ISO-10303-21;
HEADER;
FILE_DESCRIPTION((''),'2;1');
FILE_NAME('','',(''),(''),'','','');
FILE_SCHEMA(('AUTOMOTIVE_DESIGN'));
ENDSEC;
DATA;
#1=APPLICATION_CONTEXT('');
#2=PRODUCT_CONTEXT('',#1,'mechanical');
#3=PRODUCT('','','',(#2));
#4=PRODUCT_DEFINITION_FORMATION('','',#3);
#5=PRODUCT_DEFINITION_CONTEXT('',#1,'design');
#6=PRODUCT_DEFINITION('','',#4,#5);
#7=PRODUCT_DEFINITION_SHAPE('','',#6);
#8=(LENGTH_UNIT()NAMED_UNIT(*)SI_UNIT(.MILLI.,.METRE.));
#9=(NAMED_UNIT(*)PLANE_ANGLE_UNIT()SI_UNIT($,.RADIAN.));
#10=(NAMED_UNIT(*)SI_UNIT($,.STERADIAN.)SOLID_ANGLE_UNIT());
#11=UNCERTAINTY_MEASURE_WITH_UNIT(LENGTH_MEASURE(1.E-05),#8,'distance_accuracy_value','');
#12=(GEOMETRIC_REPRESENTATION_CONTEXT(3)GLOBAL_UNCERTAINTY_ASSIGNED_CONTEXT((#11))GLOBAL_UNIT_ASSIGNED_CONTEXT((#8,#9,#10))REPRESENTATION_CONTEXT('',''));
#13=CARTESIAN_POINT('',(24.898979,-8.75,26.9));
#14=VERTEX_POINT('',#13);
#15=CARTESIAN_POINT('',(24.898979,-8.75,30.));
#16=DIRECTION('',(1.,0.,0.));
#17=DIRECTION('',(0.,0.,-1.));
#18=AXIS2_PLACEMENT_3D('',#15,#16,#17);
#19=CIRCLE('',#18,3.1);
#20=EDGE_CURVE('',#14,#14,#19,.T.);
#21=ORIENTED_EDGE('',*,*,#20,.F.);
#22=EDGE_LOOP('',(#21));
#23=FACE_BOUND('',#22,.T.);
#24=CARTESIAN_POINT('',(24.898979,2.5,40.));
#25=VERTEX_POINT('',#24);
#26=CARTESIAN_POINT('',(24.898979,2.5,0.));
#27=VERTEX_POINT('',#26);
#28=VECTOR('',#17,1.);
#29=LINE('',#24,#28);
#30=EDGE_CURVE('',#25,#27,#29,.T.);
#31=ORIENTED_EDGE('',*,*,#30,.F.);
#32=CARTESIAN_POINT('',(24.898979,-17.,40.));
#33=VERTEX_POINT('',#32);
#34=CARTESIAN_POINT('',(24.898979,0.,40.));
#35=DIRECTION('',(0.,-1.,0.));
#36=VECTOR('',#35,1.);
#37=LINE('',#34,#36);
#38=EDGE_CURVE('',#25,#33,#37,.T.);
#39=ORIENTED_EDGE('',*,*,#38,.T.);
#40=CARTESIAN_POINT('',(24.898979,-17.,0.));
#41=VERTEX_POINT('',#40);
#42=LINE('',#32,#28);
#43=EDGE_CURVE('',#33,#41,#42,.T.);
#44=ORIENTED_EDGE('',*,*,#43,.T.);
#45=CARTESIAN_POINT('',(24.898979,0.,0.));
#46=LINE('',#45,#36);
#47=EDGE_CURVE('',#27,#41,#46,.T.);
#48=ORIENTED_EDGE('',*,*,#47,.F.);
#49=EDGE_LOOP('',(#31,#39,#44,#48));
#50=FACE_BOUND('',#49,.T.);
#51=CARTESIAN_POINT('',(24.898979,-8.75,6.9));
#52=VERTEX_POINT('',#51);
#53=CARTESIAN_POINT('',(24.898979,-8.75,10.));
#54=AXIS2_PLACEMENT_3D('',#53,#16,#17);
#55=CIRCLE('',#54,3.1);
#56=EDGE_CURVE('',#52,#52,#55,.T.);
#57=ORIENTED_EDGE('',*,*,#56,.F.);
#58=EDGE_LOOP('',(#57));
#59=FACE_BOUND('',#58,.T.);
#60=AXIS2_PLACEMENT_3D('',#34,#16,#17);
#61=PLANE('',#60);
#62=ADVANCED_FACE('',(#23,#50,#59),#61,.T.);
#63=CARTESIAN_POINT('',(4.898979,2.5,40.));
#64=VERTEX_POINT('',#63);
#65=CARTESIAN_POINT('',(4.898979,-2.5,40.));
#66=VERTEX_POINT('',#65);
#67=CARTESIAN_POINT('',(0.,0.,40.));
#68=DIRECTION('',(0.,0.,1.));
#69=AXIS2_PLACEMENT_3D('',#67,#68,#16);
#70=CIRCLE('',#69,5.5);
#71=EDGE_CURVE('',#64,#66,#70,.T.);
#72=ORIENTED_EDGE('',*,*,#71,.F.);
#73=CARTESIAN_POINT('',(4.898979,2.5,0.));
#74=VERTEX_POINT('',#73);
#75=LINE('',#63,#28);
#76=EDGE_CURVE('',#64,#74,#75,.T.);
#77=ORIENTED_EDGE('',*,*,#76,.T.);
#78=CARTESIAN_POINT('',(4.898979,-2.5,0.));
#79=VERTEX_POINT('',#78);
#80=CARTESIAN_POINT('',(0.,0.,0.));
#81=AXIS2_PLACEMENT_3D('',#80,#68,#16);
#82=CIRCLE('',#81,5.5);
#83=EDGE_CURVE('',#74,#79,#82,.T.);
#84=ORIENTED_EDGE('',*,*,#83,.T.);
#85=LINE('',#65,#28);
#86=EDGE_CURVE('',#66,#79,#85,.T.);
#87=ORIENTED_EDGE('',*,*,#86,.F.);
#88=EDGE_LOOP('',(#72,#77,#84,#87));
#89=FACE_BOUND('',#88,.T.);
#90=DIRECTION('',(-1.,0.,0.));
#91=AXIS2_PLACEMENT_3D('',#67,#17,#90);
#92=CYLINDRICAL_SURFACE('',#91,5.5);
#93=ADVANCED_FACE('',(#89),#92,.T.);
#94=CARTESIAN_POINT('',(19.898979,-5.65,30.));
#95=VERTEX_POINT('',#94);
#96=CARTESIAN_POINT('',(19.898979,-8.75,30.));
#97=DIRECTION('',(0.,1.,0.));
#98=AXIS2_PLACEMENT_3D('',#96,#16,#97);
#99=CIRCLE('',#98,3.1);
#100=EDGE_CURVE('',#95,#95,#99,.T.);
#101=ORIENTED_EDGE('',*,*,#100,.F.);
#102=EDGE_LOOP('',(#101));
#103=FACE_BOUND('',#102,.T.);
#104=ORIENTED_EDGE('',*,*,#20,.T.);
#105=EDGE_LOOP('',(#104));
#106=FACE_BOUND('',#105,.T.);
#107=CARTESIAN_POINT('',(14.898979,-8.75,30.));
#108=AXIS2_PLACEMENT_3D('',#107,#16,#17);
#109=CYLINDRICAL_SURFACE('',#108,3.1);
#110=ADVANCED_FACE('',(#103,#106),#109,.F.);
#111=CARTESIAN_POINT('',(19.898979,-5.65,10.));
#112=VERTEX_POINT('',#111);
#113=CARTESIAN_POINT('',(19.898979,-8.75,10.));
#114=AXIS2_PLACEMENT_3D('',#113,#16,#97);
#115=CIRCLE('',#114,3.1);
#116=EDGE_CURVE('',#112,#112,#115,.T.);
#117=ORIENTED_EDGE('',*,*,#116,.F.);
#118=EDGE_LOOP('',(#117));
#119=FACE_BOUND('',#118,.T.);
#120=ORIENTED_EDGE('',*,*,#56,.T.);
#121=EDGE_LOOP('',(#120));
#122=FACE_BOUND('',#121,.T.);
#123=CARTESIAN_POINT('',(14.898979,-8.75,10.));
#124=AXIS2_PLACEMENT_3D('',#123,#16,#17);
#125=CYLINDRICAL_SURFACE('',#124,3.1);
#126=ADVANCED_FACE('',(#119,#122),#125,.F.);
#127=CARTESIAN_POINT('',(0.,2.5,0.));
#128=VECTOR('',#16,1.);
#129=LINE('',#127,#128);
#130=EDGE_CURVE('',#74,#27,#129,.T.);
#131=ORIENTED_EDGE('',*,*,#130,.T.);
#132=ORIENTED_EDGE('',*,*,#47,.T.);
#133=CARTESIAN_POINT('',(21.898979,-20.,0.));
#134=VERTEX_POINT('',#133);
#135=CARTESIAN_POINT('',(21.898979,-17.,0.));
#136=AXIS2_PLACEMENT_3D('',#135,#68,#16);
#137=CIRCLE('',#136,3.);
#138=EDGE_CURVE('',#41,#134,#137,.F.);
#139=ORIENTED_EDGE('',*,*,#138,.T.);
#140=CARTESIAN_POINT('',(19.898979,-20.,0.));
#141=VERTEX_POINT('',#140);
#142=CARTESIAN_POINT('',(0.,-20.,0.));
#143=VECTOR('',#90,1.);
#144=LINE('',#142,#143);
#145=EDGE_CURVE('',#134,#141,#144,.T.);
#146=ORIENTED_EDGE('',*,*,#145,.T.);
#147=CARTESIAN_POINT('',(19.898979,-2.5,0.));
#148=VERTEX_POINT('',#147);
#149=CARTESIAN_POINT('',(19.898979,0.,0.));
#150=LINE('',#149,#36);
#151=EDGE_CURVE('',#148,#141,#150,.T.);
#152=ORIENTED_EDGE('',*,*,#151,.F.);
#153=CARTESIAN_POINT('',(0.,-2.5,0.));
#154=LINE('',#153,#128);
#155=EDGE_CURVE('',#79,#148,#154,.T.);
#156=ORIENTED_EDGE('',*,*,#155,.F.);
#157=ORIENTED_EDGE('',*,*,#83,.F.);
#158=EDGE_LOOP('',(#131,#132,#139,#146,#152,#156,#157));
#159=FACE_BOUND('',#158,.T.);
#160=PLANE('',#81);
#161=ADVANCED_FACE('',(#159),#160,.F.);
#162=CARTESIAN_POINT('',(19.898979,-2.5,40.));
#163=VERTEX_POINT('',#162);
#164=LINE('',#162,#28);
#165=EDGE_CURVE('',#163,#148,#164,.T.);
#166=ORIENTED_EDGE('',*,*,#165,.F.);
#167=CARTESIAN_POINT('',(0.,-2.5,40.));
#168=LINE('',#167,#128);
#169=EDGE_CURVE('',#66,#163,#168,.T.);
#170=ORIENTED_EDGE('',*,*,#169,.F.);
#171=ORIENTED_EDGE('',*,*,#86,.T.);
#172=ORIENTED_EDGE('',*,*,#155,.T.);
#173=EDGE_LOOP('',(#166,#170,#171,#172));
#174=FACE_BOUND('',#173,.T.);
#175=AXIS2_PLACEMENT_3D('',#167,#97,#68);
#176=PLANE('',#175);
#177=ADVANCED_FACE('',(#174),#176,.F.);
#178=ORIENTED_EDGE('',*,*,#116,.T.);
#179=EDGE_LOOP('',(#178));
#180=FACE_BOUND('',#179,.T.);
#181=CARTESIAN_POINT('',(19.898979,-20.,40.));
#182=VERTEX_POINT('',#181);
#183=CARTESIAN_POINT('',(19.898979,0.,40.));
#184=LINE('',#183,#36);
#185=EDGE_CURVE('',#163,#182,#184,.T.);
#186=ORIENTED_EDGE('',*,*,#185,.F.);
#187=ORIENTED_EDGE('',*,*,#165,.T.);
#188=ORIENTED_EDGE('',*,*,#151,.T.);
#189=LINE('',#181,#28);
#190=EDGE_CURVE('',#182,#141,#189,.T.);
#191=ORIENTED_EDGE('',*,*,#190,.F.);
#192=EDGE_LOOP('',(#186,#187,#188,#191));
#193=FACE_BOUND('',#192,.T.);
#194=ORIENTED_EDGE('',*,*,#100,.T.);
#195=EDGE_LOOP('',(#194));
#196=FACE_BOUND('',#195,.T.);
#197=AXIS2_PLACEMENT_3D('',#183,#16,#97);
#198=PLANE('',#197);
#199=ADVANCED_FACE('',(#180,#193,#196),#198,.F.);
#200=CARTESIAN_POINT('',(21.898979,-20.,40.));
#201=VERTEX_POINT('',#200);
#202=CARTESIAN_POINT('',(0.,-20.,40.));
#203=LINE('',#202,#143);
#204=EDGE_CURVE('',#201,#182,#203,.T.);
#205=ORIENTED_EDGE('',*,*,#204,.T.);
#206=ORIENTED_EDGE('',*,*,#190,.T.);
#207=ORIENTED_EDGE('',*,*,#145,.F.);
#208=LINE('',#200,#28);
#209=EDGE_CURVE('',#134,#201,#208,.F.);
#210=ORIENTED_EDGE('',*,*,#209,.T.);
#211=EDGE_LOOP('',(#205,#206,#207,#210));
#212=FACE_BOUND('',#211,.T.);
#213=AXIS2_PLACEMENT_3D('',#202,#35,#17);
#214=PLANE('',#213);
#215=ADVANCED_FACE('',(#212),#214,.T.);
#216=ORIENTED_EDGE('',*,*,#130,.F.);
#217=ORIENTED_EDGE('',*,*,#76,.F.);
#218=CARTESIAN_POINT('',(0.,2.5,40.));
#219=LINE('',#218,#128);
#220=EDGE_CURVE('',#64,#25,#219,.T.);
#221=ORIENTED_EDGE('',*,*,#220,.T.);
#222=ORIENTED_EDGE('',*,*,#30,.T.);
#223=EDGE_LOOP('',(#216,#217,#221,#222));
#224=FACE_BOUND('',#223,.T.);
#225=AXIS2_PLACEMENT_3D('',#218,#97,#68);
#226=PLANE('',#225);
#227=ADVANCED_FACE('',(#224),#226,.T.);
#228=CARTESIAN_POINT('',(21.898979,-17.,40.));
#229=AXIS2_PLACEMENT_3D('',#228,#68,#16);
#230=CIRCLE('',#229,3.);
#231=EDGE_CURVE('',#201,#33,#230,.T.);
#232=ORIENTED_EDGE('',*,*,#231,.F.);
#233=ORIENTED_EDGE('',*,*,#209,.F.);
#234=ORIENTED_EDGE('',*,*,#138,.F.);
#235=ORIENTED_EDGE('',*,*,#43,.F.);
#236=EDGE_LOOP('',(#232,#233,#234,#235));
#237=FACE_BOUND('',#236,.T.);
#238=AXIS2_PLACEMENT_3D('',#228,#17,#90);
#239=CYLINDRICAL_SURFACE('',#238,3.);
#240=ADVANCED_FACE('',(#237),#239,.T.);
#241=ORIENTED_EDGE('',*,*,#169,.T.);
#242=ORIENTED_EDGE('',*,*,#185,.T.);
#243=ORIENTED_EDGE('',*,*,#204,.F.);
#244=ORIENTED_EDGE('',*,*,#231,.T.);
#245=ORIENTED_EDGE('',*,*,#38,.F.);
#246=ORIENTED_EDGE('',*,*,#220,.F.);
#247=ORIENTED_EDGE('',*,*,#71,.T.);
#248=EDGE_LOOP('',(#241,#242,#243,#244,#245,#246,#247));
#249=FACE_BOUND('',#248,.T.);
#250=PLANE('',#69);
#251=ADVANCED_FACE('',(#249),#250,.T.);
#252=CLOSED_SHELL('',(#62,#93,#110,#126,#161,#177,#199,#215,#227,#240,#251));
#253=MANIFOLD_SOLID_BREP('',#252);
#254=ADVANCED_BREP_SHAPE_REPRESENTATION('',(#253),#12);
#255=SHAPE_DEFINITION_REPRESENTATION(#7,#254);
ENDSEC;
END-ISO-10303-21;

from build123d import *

# Parameters (mm, degrees)
SKETCH1_W           = 5
SKETCH1_H           = 17.5
BOSS_EXTRUDE1_DEPTH = 40
SKETCH2_R           = 3.1
CUT_EXTRUDE1_DEPTH  = 10
FILLET1_R           = 3


with BuildPart() as part:
    # Sketch1 → Boss-Extrude1 (new body)
    with BuildSketch(Plane.XY):
        with BuildLine():
            ThreePointArc((5.5, 0), (5.347634392, 1.285615189), (4.898979486, 2.5))
            Line((4.898979486, 2.5), (4.898979486, -2.5))
            ThreePointArc((4.898979486, -2.5), (5.347634392, -1.285615189), (5.5, 0))
        make_face()
        with BuildLine():
            Line((24.898979486, 2.5), (4.898979486, 2.5))
            ThreePointArc((4.898979486, 2.5), (5.347634392, 1.285615189), (5.5, 0))
            ThreePointArc((5.5, 0), (5.347634392, -1.285615189), (4.898979486, -2.5))
            Line((4.898979486, -2.5), (19.898979486, -2.5))
            Line((19.898979486, -2.5), (24.898979486, -2.5))
            Line((24.898979486, -2.5), (24.898979486, 2.5))
        make_face()
        with BuildLine():
            Line((4.898979486, -2.5), (4.898979486, 2.5))
            ThreePointArc((4.898979486, 2.5), (-5.5, 0), (4.898979486, -2.5))
        make_face()
        with Locations((22.398979486, -11.25)):
            Rectangle(SKETCH1_W, SKETCH1_H)
    extrude(amount=BOSS_EXTRUDE1_DEPTH)

    # Sketch2 → Cut-Extrude1 (cut)
    with BuildSketch(Plane(origin=(24.898979486, 0, 0), x_dir=(0, 0, -1), z_dir=(1, 0, 0))):
        with Locations((-30, -8.75)):
            Circle(SKETCH2_R)
        with Locations((-10, -8.75)):
            Circle(SKETCH2_R)
    extrude(amount=-CUT_EXTRUDE1_DEPTH, mode=Mode.SUBTRACT)

    # Fillet1
    fillet1_edges = [part.edges().sort_by_distance(p)[0] for p in [
        (24.898979486, -20, 20),
    ]]
    fillet(fillet1_edges, radius=FILLET1_R)


solid = part.part
